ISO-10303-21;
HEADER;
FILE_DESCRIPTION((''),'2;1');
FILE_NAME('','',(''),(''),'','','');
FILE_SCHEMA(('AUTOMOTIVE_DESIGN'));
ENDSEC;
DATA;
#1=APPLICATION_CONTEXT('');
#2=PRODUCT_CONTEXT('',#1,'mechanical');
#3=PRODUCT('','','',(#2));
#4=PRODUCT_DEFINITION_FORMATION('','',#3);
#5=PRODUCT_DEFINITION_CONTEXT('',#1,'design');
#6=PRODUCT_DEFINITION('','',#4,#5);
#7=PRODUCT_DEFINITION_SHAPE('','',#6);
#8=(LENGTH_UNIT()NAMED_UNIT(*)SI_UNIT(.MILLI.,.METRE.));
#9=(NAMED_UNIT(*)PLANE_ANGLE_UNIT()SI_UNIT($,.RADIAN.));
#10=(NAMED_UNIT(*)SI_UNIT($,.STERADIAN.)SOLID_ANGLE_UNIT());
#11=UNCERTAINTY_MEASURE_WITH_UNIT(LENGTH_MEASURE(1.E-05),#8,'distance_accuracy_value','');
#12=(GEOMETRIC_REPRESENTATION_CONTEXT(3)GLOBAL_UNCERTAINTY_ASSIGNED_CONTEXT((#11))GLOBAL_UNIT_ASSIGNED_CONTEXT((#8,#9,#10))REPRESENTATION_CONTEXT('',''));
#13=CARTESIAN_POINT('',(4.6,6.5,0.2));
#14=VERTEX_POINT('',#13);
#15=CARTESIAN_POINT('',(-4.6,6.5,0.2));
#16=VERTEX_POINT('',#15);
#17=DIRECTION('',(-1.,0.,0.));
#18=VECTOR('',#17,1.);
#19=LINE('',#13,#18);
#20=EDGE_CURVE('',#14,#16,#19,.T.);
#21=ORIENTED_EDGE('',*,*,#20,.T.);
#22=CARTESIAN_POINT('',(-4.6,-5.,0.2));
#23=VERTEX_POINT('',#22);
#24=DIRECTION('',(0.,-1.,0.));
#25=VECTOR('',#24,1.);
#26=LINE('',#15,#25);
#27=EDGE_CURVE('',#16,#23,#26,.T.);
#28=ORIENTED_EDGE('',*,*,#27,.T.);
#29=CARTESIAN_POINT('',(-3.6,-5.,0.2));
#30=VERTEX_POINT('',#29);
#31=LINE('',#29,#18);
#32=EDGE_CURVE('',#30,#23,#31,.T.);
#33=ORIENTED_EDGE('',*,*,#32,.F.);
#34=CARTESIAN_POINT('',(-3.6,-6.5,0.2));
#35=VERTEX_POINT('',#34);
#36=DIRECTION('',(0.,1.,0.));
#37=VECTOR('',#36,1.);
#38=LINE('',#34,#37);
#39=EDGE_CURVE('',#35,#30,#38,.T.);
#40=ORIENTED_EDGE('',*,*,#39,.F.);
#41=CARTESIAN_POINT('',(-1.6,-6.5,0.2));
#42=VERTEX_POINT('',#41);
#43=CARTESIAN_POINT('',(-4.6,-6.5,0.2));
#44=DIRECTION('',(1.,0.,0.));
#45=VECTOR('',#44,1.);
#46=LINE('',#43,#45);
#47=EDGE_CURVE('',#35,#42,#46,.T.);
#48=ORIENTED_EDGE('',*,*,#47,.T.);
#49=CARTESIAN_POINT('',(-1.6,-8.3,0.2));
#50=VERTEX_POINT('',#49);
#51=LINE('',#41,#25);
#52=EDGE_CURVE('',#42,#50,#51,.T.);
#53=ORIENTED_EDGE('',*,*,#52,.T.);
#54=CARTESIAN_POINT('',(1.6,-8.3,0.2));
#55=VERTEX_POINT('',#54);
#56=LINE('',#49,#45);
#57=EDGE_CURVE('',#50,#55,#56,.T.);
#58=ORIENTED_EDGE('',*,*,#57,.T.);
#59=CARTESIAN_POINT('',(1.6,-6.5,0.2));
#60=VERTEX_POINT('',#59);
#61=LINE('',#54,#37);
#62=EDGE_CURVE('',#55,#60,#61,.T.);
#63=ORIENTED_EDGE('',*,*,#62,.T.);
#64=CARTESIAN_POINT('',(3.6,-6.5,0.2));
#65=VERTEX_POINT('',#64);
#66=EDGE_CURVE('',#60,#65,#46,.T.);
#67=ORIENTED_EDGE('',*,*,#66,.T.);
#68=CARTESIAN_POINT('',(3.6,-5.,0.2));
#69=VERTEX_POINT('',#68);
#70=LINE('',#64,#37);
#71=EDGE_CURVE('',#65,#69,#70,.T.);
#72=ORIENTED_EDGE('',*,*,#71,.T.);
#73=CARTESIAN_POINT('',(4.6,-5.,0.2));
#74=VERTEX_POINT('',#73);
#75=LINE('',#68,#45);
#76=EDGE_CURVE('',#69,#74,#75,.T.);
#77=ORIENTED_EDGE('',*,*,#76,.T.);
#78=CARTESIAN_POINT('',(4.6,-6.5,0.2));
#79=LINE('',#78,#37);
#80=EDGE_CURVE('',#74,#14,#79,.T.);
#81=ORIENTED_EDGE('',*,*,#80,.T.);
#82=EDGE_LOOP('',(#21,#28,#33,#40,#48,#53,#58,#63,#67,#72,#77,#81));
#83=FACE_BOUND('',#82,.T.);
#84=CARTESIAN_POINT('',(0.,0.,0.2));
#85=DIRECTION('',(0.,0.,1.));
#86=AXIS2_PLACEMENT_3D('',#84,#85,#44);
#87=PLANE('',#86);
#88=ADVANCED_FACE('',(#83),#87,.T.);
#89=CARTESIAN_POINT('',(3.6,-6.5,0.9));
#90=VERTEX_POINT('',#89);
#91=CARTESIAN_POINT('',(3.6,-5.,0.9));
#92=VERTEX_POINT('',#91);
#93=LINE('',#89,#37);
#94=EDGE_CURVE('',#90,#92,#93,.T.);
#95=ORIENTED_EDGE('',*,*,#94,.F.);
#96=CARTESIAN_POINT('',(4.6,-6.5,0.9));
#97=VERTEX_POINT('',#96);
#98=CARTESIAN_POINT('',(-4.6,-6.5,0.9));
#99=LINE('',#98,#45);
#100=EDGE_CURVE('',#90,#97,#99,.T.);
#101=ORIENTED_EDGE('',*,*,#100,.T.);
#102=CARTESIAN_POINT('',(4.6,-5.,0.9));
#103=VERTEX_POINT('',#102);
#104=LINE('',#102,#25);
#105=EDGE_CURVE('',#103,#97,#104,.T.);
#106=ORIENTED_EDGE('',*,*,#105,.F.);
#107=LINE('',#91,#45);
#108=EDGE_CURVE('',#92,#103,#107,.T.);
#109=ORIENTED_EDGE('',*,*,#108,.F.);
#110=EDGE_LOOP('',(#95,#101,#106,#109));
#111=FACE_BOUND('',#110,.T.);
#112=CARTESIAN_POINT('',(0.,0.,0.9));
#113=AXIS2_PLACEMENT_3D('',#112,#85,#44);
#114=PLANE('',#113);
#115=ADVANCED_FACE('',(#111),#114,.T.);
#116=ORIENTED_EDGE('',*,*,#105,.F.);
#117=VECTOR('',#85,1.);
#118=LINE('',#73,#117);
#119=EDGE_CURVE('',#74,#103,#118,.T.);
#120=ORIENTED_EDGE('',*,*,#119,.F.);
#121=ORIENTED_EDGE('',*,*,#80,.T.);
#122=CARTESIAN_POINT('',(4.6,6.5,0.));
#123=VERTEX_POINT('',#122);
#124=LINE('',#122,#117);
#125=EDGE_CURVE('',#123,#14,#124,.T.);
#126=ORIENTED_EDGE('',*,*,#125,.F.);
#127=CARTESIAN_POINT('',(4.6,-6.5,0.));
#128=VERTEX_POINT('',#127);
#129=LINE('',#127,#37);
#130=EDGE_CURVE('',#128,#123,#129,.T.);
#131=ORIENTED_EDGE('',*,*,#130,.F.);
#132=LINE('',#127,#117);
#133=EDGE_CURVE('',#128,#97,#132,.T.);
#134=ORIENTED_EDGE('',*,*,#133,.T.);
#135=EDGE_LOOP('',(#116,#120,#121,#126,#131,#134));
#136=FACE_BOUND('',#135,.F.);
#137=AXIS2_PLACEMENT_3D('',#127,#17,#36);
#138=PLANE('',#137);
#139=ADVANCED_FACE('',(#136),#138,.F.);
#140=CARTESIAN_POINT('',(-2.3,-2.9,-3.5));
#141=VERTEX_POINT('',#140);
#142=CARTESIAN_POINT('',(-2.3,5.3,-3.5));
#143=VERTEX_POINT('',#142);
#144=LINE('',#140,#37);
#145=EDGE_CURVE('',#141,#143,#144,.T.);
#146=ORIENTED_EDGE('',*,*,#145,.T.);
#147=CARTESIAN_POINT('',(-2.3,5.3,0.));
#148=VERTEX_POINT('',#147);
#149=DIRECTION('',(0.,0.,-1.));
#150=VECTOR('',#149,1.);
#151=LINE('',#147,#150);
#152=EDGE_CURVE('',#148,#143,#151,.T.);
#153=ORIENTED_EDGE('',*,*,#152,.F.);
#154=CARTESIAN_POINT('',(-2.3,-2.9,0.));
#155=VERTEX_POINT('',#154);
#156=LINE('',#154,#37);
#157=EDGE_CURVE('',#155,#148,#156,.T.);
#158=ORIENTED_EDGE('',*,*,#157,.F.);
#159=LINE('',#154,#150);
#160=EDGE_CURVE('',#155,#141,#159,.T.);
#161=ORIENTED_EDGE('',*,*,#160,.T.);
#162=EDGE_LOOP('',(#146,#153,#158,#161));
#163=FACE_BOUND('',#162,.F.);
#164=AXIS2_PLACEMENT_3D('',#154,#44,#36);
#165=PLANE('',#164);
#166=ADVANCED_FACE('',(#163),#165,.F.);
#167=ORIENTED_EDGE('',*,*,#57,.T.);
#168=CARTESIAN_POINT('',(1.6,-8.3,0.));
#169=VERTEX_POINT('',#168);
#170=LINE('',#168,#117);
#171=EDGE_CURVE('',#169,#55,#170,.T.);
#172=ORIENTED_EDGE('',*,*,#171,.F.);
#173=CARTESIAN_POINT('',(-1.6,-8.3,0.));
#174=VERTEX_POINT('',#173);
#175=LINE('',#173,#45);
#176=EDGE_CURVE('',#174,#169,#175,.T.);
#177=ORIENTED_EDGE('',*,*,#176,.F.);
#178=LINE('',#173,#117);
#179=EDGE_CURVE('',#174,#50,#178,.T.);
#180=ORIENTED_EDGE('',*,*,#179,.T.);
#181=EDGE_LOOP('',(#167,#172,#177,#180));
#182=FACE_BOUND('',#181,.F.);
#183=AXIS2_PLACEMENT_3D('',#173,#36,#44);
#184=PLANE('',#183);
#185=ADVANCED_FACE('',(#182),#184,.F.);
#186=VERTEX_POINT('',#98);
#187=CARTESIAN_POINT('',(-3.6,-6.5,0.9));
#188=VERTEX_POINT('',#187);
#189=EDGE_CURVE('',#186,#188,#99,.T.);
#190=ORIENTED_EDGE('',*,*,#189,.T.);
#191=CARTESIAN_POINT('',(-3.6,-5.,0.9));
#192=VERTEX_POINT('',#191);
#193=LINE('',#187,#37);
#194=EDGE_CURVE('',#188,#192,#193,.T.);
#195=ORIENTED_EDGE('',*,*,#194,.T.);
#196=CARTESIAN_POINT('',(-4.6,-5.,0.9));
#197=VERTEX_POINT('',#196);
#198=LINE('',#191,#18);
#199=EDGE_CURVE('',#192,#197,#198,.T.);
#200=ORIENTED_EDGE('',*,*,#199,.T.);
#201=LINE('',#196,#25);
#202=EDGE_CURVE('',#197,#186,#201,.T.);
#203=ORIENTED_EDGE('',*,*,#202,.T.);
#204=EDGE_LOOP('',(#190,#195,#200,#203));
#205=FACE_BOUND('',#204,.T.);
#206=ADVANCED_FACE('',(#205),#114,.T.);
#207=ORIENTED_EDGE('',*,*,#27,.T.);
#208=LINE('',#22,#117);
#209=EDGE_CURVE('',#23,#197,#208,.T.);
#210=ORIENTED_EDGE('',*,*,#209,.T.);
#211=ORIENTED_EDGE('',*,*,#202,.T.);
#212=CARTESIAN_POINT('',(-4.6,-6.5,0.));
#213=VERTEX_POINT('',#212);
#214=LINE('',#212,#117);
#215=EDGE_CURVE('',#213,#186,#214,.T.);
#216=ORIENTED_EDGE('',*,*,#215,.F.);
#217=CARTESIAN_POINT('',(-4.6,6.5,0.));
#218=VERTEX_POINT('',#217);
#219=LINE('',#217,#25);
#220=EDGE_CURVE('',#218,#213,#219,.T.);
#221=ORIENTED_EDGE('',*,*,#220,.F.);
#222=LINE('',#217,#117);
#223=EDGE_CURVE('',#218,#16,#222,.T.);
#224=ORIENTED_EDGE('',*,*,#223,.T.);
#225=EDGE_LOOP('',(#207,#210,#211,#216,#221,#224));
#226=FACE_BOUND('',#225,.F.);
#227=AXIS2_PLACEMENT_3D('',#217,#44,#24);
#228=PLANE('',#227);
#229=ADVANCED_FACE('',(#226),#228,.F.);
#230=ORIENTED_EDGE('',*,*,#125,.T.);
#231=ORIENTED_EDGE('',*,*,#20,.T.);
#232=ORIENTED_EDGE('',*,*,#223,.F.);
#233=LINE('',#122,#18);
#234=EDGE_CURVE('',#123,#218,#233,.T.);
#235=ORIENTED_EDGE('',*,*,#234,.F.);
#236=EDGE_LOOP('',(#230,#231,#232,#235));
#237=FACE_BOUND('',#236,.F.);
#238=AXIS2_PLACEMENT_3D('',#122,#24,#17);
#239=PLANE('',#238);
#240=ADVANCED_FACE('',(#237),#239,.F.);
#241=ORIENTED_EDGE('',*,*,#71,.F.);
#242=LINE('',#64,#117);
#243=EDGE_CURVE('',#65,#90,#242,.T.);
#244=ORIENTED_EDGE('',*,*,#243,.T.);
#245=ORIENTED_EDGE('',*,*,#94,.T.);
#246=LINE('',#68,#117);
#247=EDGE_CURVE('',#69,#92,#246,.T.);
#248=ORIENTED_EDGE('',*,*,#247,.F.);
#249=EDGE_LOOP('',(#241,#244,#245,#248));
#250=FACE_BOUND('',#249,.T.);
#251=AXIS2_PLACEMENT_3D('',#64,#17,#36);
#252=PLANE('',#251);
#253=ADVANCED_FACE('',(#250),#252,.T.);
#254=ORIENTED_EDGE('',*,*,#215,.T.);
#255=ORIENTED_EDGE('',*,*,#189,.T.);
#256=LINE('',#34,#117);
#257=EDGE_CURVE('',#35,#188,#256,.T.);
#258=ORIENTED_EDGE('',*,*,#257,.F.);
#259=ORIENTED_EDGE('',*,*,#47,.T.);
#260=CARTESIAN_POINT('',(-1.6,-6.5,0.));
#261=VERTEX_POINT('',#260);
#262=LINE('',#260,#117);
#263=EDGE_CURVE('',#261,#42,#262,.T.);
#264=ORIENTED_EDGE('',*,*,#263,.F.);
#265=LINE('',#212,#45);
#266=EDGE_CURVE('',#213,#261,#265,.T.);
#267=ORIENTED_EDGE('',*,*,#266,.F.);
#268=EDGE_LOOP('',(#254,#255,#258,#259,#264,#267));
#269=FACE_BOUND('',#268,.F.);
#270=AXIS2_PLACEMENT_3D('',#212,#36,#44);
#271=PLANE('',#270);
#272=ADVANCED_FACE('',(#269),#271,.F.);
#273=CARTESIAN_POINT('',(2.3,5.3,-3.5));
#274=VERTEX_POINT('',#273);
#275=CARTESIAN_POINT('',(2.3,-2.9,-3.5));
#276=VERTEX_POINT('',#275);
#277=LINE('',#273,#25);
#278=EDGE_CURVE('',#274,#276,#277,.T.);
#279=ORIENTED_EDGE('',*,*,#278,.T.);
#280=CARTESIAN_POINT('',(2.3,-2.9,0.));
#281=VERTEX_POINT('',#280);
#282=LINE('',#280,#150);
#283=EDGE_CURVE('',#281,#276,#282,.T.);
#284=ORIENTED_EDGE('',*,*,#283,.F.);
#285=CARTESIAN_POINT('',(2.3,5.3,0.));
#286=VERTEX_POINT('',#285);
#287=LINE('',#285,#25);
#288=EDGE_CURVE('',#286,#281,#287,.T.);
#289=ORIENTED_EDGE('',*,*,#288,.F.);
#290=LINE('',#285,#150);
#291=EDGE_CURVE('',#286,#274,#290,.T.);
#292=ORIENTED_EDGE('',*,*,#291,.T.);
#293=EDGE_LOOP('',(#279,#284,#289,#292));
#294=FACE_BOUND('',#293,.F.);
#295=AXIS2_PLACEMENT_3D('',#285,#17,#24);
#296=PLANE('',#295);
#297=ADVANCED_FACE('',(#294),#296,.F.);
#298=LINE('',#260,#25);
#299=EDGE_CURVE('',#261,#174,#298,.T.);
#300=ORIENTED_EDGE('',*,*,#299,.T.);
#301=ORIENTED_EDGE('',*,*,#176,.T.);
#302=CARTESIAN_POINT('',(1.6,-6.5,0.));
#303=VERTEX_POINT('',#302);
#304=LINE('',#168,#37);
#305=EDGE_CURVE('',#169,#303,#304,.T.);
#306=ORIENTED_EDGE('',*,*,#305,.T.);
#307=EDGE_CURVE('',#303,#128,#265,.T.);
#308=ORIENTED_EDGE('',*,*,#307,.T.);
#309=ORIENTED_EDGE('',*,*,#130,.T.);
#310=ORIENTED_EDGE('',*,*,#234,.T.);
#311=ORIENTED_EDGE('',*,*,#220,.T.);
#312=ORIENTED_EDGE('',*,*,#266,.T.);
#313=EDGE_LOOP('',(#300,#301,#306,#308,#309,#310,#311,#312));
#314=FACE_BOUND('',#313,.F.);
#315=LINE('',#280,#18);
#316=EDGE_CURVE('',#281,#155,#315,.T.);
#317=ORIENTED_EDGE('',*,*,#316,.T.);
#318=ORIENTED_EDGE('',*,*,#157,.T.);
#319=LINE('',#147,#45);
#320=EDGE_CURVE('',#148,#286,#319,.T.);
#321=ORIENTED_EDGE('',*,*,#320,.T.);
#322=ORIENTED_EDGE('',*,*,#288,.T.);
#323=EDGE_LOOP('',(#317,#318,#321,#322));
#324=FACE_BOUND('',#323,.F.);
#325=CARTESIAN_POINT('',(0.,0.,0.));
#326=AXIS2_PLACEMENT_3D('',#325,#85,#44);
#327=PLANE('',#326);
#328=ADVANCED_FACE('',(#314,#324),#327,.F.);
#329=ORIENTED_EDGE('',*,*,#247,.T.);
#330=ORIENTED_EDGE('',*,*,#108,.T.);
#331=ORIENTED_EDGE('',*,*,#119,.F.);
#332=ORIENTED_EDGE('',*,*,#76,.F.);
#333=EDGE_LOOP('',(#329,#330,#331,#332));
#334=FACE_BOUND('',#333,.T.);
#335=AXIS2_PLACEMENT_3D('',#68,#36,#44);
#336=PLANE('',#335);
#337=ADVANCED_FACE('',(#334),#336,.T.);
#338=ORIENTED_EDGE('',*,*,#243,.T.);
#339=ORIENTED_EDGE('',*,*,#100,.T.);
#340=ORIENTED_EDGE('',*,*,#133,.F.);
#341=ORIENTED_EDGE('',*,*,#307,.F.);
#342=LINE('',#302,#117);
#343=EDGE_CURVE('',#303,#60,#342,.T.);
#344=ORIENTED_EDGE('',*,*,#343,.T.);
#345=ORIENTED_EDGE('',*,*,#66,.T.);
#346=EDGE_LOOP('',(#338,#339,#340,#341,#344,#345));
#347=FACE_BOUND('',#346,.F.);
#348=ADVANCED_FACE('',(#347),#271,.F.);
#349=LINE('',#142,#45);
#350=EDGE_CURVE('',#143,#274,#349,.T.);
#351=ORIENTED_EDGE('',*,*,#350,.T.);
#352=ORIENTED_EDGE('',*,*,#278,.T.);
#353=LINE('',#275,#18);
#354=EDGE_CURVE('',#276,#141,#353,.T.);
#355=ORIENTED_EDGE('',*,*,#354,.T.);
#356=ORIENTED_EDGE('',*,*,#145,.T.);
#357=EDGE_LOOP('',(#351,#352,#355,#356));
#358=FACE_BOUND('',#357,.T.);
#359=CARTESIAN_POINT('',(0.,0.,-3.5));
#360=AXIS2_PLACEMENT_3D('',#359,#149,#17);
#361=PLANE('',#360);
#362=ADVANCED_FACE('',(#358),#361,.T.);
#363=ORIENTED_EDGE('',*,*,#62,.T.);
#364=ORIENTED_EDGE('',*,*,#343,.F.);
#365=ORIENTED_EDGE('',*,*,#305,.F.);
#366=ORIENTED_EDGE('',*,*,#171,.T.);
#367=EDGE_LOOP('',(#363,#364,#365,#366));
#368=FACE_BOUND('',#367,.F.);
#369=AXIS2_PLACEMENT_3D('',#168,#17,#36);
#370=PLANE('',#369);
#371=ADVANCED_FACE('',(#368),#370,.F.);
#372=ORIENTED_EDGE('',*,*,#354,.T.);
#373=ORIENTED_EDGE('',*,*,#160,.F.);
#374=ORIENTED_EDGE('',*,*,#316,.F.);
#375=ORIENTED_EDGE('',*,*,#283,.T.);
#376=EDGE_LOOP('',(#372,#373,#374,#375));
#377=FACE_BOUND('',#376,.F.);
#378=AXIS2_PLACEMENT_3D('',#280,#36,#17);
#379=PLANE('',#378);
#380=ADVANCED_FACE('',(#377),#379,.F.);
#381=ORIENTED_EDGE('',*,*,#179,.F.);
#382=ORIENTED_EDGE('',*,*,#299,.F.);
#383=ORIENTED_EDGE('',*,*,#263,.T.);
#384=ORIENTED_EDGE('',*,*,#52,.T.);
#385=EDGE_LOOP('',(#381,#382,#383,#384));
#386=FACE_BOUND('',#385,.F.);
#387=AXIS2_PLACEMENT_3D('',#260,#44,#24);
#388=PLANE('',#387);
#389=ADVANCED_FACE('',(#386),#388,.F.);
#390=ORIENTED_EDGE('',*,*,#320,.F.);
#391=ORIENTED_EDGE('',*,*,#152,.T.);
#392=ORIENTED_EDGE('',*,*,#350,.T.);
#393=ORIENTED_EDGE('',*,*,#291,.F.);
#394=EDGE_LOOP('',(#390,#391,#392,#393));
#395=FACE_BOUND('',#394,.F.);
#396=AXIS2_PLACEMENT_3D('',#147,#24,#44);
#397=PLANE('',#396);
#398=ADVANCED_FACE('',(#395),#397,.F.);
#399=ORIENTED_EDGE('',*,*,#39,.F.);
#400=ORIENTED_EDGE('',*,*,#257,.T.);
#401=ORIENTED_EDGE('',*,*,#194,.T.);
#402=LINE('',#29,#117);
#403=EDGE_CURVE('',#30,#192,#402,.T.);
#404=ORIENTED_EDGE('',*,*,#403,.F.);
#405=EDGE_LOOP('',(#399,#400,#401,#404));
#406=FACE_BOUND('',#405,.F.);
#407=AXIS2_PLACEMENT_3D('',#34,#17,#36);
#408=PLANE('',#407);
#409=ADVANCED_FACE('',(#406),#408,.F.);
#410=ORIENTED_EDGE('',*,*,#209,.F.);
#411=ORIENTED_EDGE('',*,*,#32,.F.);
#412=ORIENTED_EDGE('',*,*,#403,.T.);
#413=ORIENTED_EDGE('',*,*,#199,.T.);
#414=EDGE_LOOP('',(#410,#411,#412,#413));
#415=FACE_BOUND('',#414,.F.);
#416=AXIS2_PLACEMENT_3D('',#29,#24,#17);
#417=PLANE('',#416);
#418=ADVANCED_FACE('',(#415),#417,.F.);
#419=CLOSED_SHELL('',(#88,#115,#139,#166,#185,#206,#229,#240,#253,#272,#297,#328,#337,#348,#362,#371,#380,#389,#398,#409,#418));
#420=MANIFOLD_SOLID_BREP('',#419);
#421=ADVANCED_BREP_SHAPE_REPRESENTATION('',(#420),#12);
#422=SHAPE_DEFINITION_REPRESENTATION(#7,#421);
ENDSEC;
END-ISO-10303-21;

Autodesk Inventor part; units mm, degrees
ref_plane "YZ Plane" through (0, 0, 0) normal (1, 0, 0) x (0, 1, 0)
ref_plane "XZ Plane" through (0, 0, 0) normal (0, 1, 0) x (-1, 0, 0)
ref_plane "XY Plane" through (0, 0, 0) normal (0, 0, 1) x (1, 0, 0)
sketch "スケッチ1" plane through (0, 0, 0) normal (0, 0, 1) x (1, 0, 0)
  line L0 (-4.6, -6.5) -> (4.6, -6.5)
  line L1 (4.6, -6.5) -> (4.6, 6.5)
  line L2 (4.6, 6.5) -> (-4.6, 6.5)
  line L3 (-4.6, 6.5) -> (-4.6, -6.5)
  line L4 (-4.6, -6.5) -> (4.6, 6.5) construction
  line L5 (4.6, -6.5) -> (-4.6, 6.5) construction
  point P0 (0, 0)
  dimension "d0" = 9.2
  dimension "d1" = 13
extrude "押し出し1" add sketch "スケッチ1" along normal blind 0.2
sketch "スケッチ2" plane through (0, 0, 0.2) normal (0, 0, 1) x (1, 0, 0)
  line L0 (-4.6, -6.5) -> (-3.6, -6.5)
  line L1 (-3.6, -6.5) -> (-3.6, -5)
  line L2 (-3.6, -5) -> (-4.6, -5)
  line L3 (-4.6, -5) -> (-4.6, -6.5)
  line L4 (-4.6, -6.5) -> (4.6, -6.5) projected
  line L5 (4.6, -6.5) -> (3.6, -6.5)
  line L6 (3.6, -6.5) -> (3.6, -5)
  line L7 (3.6, -5) -> (4.6, -5)
  line L8 (4.6, -5) -> (4.6, -6.5)
  point P0 (0, 0)
  dimension "d4" = 1.5
  dimension "d5" = 1
extrude "押し出し2" add sketch "スケッチ2" along normal blind 0.7
sketch "スケッチ3" plane through (0, 0, 0) normal (0, 0, -1) x (-1, 0, 0)
  line L0 (-2.3, -2.9) -> (2.3, -2.9)
  line L1 (2.3, -2.9) -> (2.3, 5.3)
  line L2 (2.3, 5.3) -> (-2.3, 5.3)
  line L3 (-2.3, 5.3) -> (-2.3, -2.9)
  line L4 (-2.3, -2.9) -> (2.3, 5.3) construction
  line L5 (2.3, -2.9) -> (-2.3, 5.3) construction
  line L6 (-4.6, 6.5) -> (4.6, 6.5) projected
  point P0 (0, 0)
  point P1 (0, 1.2)
  point P2 (0, 1.2)
  dimension "d8" = 1.2
  dimension "d9" = 4.6
  dimension "d10" = 8.2
extrude "押し出し3" add sketch "スケッチ3" along normal blind 3.5
sketch "スケッチ4" plane through (0, 0, 0) normal (0, 0, -1) x (-1, 0, 0)
  line L0 (-1.6, -6.5) -> (1.6, -6.5)
  line L1 (1.6, -6.5) -> (1.6, -8.3)
  line L2 (1.6, -8.3) -> (-1.6, -8.3)
  line L3 (-1.6, -8.3) -> (-1.6, -6.5)
  line L4 (4.6, -6.5) -> (-4.6, -6.5) projected
  point P0 (0, 0)
  point P1 (0, -6.5)
  point P2 (0, -6.5)
  dimension "d13" = 3.2
  dimension "d14" = 1.8
extrude "押し出し4" add sketch "スケッチ4" against normal up to surface (0.2 mm away)
properties part number "terminal"
